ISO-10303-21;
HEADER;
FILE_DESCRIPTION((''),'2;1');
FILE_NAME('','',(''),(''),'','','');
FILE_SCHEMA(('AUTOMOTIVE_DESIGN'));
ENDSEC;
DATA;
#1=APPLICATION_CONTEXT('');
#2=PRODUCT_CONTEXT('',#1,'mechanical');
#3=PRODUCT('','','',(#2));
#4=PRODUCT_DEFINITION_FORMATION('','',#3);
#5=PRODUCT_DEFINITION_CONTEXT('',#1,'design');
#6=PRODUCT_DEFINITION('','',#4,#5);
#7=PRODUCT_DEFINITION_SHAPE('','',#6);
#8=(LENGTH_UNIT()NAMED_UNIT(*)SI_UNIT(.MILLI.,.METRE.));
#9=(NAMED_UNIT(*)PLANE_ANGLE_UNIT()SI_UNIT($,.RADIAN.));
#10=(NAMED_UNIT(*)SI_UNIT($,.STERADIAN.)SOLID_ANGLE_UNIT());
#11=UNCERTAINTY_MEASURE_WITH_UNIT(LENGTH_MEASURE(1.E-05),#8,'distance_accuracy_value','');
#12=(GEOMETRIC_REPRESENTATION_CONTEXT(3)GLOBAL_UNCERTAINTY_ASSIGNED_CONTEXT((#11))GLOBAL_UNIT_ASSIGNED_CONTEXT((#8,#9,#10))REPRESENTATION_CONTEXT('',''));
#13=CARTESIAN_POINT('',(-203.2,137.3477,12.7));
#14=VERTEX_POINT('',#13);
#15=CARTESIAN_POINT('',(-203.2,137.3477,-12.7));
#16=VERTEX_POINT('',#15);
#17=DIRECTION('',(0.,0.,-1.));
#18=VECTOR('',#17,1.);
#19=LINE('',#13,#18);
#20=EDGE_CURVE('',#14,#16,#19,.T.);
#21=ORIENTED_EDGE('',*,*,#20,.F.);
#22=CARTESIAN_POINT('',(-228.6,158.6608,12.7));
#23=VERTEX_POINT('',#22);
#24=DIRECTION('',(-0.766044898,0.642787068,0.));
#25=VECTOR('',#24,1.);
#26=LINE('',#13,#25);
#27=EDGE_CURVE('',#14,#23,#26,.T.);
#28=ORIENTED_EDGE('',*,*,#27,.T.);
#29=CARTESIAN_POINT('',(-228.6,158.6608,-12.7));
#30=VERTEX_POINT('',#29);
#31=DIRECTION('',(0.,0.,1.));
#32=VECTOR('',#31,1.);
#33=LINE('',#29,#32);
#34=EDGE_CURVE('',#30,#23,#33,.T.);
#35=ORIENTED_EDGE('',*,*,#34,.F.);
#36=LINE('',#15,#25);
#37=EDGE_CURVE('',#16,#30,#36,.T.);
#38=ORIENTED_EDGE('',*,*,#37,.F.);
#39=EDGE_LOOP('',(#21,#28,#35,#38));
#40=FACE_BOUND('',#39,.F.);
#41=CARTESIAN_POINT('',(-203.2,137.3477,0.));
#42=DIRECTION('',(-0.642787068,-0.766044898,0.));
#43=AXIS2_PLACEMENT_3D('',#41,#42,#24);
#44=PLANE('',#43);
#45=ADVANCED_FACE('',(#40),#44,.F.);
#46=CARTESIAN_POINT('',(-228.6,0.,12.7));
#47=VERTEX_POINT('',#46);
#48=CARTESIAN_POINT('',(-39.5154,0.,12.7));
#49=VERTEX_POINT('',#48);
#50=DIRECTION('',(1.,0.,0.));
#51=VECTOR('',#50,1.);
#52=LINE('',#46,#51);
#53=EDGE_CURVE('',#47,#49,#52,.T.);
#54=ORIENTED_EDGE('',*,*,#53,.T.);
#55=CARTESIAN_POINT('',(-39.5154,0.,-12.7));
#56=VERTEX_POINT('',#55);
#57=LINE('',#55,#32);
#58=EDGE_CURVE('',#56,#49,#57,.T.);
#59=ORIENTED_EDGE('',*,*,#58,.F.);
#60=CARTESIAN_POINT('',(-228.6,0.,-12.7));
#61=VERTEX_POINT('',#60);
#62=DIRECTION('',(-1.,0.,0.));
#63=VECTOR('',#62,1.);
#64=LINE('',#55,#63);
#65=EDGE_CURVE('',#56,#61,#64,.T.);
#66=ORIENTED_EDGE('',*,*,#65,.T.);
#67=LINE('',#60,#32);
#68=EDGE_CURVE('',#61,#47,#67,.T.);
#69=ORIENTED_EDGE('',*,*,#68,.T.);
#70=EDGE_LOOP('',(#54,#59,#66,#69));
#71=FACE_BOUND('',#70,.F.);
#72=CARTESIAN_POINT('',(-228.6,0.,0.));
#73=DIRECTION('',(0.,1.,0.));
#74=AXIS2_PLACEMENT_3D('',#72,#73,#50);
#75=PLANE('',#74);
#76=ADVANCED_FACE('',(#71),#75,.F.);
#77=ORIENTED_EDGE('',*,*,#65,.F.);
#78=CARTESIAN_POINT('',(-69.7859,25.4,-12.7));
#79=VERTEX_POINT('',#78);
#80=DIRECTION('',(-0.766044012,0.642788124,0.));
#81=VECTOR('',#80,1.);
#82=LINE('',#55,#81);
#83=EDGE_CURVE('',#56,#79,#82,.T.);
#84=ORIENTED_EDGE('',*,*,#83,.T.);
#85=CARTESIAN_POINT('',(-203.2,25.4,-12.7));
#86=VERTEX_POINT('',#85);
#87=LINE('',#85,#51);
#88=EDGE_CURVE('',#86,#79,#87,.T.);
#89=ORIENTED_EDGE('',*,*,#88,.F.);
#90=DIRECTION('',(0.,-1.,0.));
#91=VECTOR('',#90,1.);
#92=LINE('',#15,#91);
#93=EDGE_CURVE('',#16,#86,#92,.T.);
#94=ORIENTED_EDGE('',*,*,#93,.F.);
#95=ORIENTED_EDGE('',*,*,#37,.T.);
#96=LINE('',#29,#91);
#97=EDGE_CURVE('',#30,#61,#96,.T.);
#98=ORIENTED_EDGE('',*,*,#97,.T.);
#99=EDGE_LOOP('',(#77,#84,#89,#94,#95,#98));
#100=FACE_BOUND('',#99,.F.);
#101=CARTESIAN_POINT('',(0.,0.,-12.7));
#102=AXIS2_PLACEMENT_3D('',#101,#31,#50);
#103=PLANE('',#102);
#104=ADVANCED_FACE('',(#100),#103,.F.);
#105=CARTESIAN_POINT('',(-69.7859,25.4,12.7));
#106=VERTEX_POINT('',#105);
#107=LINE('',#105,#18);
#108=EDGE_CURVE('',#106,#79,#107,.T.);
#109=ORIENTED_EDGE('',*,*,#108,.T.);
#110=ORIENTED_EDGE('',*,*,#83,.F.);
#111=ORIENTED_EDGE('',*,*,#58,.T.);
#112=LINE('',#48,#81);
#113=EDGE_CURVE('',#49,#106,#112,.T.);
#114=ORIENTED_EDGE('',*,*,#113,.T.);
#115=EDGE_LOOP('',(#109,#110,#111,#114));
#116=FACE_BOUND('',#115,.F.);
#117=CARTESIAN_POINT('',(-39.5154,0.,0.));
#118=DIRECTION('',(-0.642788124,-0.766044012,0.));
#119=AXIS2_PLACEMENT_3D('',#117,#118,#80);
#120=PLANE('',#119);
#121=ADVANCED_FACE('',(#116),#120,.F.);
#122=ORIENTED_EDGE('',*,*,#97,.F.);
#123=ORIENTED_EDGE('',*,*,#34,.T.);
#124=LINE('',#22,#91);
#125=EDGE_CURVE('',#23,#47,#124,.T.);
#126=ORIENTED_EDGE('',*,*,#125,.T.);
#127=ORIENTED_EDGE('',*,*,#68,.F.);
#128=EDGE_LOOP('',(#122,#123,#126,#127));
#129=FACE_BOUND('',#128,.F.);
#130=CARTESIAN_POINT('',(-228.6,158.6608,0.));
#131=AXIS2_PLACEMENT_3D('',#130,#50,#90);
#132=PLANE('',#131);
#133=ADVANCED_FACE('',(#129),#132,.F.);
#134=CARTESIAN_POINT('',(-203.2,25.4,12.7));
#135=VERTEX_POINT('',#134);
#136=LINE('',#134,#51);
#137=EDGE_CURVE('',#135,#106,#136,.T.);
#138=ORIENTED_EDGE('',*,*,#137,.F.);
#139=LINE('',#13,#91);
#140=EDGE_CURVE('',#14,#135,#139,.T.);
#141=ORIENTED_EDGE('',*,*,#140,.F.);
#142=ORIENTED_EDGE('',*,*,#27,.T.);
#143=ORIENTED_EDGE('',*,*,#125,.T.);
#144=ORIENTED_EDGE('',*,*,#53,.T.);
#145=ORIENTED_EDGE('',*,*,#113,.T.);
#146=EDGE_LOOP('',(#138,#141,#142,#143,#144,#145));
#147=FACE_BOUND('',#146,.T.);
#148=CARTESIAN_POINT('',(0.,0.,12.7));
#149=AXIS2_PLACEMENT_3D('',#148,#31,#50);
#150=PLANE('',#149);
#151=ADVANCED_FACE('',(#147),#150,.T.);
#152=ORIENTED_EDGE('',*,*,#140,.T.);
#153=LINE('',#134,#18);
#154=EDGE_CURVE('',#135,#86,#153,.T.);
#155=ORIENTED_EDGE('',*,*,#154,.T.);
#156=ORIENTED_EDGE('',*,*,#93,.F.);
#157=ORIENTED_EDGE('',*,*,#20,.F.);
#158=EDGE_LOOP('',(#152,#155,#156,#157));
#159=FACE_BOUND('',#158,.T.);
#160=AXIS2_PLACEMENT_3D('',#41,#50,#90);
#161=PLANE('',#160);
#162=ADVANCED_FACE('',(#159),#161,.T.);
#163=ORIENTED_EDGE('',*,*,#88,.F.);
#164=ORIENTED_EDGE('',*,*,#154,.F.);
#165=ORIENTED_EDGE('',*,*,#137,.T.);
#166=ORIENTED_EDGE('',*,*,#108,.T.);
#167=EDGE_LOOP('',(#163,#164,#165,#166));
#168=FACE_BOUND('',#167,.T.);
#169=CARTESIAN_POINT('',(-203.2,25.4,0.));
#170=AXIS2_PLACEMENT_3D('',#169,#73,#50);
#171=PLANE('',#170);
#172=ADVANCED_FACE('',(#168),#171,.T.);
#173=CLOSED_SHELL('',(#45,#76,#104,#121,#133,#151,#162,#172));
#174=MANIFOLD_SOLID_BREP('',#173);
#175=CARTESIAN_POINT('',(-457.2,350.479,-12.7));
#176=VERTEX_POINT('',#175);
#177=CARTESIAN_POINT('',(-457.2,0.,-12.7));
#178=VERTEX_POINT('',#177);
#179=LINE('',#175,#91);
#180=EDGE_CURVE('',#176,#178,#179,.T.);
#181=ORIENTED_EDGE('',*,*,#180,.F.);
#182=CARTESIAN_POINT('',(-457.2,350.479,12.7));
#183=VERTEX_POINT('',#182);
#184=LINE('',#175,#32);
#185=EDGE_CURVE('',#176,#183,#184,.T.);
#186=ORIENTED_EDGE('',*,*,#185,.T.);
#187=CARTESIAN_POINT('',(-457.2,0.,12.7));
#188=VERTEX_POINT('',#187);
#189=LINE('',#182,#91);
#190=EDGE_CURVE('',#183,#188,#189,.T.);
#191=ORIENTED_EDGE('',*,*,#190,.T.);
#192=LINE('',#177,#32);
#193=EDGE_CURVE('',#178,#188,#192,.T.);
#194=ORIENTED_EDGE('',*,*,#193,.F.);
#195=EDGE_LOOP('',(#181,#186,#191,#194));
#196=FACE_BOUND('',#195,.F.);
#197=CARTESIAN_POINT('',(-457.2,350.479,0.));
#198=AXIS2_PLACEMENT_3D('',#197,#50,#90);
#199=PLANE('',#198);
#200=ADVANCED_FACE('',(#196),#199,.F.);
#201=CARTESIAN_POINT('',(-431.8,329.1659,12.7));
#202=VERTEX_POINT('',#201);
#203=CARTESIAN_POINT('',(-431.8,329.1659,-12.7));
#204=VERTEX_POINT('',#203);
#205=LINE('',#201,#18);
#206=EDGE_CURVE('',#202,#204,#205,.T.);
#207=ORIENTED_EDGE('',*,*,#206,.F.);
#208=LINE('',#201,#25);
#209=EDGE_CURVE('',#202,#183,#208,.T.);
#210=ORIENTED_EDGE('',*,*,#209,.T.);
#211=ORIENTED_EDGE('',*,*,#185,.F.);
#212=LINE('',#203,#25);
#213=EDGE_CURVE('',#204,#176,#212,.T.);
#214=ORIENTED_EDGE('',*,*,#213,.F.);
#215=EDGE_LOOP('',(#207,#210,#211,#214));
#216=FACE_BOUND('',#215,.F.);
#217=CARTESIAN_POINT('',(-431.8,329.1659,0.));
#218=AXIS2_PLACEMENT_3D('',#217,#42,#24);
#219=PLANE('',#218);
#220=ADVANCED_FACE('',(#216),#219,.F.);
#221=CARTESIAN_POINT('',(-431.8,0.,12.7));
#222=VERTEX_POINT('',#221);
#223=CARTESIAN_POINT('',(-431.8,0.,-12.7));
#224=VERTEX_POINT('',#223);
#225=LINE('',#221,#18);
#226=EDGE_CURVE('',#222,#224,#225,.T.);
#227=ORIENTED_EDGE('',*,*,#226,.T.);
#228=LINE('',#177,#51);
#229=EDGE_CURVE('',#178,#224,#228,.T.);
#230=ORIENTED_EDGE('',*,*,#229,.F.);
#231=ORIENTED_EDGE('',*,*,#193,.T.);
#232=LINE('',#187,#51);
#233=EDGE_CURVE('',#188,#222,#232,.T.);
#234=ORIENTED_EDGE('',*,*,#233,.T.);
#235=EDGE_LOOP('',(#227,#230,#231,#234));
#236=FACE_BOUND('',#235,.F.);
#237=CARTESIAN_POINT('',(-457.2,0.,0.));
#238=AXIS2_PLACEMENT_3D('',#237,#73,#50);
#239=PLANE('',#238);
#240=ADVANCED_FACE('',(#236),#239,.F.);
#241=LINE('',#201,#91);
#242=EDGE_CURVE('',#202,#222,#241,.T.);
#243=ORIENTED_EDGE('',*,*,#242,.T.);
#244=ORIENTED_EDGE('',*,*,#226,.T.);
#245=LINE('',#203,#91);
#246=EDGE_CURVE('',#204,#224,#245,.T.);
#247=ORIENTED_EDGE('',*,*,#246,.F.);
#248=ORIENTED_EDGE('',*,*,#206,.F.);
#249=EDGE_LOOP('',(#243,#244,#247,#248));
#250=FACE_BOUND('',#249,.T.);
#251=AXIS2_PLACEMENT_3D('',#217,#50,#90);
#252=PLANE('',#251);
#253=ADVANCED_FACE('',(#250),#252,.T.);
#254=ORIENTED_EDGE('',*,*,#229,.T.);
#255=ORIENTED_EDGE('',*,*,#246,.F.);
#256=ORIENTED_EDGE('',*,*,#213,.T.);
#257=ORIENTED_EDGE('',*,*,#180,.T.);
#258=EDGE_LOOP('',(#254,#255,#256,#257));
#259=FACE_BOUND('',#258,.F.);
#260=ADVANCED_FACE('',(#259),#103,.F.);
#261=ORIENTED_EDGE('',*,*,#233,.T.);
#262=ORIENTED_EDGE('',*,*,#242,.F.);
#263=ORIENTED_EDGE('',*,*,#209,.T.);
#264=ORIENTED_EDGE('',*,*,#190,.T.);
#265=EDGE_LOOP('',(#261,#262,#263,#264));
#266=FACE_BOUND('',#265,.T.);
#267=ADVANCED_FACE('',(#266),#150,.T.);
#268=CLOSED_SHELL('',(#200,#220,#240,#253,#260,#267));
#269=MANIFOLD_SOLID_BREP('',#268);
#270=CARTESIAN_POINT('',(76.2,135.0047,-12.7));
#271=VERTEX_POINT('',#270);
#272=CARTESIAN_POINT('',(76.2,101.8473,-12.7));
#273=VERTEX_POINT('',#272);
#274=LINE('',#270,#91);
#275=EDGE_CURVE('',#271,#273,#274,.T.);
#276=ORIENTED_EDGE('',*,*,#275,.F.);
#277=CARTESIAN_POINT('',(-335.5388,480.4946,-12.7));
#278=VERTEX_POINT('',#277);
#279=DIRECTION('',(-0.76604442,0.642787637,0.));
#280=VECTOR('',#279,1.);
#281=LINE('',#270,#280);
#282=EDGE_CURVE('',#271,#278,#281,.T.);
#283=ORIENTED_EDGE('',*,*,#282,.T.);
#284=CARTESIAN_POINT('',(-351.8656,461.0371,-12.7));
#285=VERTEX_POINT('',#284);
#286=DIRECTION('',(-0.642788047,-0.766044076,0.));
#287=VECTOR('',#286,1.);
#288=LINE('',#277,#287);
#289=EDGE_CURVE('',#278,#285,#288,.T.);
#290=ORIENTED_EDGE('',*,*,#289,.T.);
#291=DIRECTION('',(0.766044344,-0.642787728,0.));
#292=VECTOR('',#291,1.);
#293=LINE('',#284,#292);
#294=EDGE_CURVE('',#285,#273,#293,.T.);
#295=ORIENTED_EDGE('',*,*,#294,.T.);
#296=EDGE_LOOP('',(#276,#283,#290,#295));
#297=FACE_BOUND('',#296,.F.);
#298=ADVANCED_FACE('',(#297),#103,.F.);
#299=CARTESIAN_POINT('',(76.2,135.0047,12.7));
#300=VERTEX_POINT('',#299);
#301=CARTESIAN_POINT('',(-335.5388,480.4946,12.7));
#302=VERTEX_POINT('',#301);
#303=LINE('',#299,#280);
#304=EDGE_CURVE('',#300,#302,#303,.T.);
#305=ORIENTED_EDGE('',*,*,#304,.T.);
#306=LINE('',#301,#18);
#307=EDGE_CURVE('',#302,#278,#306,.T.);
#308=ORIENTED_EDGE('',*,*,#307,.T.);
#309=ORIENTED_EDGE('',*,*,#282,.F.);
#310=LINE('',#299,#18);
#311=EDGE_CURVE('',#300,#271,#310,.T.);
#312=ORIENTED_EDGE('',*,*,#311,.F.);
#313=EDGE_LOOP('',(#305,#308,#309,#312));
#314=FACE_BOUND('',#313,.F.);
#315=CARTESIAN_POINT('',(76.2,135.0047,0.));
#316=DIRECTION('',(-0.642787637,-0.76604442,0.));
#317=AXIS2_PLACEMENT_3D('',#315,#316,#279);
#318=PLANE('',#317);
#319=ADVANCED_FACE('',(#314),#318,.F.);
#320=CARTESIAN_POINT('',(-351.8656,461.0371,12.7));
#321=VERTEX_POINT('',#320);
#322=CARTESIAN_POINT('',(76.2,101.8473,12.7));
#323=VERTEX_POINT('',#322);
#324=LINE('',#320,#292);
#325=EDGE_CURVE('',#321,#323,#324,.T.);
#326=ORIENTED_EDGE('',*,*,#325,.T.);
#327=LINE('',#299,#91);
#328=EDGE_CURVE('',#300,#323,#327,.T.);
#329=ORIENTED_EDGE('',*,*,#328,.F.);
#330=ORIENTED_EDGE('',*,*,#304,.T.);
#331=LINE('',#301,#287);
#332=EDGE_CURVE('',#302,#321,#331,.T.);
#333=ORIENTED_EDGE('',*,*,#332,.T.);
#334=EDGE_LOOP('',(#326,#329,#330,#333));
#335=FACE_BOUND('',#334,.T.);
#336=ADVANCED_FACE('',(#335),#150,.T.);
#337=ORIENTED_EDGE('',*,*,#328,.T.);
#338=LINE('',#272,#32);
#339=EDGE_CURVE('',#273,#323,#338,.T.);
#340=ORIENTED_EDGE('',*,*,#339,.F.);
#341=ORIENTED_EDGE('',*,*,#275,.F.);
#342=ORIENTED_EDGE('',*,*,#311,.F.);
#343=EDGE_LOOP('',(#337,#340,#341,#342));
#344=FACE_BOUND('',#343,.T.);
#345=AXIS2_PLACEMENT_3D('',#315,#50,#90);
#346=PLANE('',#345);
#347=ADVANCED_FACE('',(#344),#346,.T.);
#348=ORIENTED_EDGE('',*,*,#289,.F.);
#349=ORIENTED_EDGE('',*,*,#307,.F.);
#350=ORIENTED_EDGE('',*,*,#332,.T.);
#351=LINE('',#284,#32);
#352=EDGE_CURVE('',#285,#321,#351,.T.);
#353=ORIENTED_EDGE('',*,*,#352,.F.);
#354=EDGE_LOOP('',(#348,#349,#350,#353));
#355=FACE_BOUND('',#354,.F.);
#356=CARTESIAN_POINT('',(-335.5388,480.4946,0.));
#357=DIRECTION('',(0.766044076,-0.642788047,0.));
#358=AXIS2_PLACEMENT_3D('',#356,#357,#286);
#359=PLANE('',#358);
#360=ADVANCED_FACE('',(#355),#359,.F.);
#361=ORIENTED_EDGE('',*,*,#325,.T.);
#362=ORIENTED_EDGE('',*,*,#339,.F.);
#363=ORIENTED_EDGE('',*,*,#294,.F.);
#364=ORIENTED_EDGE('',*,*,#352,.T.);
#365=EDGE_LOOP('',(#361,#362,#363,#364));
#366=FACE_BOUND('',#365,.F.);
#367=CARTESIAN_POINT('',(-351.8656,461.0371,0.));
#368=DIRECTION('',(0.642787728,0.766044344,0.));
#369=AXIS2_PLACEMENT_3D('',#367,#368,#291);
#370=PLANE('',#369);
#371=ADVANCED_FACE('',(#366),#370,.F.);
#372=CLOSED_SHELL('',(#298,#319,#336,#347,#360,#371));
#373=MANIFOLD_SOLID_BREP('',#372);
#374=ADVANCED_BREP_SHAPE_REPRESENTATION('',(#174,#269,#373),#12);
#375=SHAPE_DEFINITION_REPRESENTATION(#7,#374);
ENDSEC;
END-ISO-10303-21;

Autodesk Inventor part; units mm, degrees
ref_plane "YZ Plane" through (0, 0, 0) normal (1, 0, 0) x (0, 1, 0)
ref_plane "XZ Plane" through (0, 0, 0) normal (0, 1, 0) x (-1, 0, 0)
ref_plane "XY Plane" through (0, 0, 0) normal (0, 0, 1) x (1, 0, 0)
sketch "Sketch1" plane through (0, 0, 0) normal (0, 0, 1) x (1, 0, 0)
  line L0 (0, 0) -> (-228.6, 0) construction
  line L1 (0, 0) -> (-39.5154, 0)
  line L2 (-457.2, 350.479) -> (-457.2, 0)
  line L3 (-431.8, 329.1659) -> (-431.8, 0)
  line L4 (-228.6, 158.6608) -> (-228.6, 0)
  line L5 (-203.2, 137.3477) -> (-203.2, 0)
  line L6 (-457.2, 0) -> (-431.8, 0)
  line L7 (-228.6, 0) -> (-203.2, 0)
  line L8 (-203.2, 0) -> (-39.5154, 0)
  line L9 (-203.2, 25.4) -> (-69.7859, 25.4)
  line L10 (-351.8656, 461.0371) -> (76.2, 101.8473)
  line L11 (76.2, 135.0047) -> (-335.5388, 480.4946)
  line L12 (-335.5388, 480.4946) -> (-351.8656, 461.0371)
  line L13 (0, 0) -> (0, 391.6762) construction
  line L14 (76.2, 135.0047) -> (76.2, 101.8473)
  line L15 (-431.8, 329.1659) -> (-457.2, 350.479)
  line L16 (-39.5154, 0) -> (-69.7859, 25.4)
  line L17 (-203.2, 137.3477) -> (-228.6, 158.6608)
  dimension "d19" = 25.4
  dimension "d21" = 25.4
  dimension "d27" = 25.4
  dimension "d29" = 76.2
  dimension "d30" = 558.8
  dimension "d31" = 25.4
extrude "Extrusion1" add sketch "Sketch1" along normal mid plane 25.4
properties part number "newFrameV02"
